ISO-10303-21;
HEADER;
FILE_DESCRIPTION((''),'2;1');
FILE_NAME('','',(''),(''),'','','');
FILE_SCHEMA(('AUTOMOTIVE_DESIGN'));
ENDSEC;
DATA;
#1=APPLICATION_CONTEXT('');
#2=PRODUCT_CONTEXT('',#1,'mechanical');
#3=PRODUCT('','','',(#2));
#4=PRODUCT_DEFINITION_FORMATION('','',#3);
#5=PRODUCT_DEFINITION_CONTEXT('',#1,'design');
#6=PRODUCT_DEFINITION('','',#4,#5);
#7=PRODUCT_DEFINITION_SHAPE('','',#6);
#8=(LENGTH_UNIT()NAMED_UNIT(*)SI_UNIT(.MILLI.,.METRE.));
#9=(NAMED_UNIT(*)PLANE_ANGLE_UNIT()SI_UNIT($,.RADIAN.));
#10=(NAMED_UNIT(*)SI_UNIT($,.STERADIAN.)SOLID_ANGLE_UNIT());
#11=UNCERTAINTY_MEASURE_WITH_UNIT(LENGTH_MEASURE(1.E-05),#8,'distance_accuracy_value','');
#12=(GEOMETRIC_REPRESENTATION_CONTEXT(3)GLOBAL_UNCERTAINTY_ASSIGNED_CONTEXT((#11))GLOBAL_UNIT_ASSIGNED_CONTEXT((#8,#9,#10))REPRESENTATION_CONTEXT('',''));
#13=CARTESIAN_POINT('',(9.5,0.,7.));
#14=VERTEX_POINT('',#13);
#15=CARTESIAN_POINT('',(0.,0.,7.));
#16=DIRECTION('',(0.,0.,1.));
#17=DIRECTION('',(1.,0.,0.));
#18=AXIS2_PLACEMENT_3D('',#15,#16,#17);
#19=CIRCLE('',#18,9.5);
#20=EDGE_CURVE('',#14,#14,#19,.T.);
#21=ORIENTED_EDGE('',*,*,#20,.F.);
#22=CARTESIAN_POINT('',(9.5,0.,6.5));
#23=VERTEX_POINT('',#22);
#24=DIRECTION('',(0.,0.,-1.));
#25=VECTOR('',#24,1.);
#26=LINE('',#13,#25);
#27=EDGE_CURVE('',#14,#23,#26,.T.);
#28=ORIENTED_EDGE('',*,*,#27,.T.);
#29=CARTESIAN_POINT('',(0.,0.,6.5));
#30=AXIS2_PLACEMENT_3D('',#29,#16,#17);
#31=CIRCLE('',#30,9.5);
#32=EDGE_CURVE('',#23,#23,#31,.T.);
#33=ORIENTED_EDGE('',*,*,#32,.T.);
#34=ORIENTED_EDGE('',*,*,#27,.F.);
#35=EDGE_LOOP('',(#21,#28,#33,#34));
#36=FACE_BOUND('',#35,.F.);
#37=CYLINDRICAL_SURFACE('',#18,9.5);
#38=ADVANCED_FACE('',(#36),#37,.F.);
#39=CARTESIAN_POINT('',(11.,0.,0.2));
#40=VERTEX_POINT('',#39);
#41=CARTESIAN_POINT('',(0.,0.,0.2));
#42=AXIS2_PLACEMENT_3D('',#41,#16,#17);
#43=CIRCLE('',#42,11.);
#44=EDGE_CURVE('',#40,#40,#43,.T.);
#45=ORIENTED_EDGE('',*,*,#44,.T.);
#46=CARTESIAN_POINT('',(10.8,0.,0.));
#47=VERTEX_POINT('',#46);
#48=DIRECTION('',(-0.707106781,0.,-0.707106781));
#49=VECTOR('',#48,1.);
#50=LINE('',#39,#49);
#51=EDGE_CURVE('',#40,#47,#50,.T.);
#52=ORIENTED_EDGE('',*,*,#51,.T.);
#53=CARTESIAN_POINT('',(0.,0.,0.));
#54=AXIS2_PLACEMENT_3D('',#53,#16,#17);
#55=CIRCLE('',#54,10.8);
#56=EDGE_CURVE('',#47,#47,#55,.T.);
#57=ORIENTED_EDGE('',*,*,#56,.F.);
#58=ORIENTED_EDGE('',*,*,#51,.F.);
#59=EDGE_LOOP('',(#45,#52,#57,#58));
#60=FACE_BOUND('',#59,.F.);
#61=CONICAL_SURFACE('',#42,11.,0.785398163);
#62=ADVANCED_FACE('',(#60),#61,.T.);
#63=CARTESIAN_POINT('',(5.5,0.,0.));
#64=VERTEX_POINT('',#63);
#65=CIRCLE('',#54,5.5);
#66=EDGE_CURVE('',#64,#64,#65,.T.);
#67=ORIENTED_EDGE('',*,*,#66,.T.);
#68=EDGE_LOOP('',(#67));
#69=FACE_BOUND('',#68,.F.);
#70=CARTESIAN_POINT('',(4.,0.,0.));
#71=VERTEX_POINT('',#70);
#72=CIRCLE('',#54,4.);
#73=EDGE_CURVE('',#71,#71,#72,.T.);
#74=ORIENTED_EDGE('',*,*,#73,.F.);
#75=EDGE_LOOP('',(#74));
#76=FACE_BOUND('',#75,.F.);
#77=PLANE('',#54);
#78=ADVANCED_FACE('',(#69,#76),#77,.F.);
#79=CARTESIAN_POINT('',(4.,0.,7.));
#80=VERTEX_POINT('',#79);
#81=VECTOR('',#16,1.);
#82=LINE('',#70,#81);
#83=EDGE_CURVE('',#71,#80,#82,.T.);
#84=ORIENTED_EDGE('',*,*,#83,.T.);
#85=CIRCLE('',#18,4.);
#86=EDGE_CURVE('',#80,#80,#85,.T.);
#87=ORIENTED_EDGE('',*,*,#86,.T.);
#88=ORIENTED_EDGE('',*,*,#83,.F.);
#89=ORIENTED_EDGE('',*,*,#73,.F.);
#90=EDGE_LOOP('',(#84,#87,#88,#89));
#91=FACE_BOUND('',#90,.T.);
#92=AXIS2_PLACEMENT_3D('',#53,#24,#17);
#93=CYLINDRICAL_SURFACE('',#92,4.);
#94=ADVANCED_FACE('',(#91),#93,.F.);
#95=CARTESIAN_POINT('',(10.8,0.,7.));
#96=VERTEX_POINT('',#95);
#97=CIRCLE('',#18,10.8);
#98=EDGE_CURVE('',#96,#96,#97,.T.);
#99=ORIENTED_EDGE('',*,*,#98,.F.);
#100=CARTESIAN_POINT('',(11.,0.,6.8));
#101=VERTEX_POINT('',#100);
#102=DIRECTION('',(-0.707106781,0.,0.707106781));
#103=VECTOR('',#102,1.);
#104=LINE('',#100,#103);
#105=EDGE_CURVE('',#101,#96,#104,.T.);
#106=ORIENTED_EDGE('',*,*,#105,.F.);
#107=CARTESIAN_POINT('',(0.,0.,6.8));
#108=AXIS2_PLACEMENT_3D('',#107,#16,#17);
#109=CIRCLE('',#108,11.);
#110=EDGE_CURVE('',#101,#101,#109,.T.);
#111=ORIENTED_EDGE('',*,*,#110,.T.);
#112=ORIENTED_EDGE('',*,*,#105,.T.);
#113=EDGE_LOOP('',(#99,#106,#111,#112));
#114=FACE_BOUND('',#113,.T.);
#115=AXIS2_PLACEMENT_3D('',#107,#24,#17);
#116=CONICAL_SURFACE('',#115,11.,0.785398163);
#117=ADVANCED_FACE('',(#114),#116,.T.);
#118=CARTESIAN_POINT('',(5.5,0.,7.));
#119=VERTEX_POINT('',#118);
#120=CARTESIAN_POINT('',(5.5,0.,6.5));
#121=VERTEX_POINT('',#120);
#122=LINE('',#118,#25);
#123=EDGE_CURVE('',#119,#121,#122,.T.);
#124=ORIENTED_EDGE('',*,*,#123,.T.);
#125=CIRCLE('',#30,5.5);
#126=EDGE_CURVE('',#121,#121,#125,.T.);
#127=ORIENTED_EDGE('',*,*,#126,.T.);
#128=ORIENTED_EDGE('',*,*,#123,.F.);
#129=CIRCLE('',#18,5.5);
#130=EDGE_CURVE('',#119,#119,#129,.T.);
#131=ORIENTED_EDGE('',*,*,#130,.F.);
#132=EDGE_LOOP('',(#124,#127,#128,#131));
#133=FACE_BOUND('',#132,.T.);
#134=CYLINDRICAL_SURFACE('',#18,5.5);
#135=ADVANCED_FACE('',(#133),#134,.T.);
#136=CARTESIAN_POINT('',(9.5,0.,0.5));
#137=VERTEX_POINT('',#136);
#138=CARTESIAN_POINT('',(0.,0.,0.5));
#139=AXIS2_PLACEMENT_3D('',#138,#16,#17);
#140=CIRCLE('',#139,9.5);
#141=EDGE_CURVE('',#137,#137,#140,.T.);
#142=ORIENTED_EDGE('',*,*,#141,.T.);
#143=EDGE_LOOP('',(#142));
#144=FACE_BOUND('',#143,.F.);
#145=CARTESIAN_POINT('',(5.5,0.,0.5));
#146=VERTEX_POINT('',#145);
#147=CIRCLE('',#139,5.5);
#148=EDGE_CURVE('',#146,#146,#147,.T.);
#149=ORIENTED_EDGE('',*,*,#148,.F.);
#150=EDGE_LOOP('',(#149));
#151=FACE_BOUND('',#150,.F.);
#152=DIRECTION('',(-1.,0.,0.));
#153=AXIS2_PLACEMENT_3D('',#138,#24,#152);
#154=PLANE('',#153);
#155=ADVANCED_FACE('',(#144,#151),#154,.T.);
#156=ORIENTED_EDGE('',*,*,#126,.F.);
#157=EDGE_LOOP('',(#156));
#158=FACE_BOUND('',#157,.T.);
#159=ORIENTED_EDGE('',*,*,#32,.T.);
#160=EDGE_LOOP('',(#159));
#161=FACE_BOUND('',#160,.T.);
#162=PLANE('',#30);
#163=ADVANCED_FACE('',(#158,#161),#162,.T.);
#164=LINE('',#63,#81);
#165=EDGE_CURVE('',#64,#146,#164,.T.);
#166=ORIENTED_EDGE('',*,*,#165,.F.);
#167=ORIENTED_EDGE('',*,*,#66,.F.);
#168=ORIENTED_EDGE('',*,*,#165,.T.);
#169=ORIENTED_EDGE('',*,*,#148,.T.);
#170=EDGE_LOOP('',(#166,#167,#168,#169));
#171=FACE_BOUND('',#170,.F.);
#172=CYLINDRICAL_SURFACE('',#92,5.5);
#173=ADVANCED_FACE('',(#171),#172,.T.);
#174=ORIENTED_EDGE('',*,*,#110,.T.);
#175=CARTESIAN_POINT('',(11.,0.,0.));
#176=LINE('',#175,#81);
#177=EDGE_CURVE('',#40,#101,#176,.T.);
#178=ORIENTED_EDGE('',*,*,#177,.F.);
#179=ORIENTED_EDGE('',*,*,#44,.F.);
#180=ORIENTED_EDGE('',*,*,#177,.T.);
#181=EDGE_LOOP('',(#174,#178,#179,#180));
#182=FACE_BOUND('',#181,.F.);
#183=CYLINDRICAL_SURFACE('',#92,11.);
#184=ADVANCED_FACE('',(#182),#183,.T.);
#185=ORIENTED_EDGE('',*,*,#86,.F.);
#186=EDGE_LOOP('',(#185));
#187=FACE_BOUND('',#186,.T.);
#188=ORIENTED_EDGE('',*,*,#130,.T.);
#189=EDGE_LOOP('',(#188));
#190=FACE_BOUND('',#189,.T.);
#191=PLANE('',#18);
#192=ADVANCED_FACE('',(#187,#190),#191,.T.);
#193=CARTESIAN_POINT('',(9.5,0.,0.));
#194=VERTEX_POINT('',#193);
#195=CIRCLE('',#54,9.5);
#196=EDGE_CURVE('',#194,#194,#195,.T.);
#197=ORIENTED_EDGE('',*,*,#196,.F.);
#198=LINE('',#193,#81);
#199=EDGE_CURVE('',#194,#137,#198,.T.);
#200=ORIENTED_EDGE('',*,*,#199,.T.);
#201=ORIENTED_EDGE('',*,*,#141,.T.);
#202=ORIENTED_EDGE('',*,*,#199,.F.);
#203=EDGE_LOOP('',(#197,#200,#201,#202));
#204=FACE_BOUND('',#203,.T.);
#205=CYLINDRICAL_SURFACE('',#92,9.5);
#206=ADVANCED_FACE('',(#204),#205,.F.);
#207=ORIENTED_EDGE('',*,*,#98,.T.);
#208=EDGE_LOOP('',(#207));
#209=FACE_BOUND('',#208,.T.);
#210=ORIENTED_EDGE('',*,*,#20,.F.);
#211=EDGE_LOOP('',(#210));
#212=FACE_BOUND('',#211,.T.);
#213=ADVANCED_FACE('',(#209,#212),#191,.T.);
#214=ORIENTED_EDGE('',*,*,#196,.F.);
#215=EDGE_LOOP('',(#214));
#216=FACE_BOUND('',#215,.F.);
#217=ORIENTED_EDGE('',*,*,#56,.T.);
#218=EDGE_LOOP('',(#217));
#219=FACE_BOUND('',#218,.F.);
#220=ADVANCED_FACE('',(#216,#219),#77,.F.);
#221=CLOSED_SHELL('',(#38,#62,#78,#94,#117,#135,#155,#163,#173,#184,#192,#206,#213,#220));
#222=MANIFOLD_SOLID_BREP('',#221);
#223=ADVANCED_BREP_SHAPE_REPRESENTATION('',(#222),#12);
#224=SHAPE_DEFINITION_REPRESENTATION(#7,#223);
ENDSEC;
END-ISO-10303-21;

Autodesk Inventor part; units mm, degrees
ref_plane "YZ Plane" through (0, 0, 0) normal (1, 0, 0) x (0, 1, 0)
ref_plane "XZ Plane" through (0, 0, 0) normal (0, 1, 0) x (-1, 0, 0)
sketch "Sketch1" plane through (0, 0, 0) normal (0, 0, 1) x (1, 0, 0)
  circle A0 centre (0, 0) radius 4
  circle A1 centre (0, 0) radius 11
  dimension "d0" = 8
  dimension "d1" = 22
extrude "Extrusion1" add sketch "Sketch1" along normal blind 7
sketch "Sketch2" plane through (0, 0, 7) normal (0, 0, 1) x (1, 0, 0)
  circle A0 centre (0, 0) radius 11 projected
  circle A1 centre (0, 0) radius 4 projected
  circle A2 centre (0, 0) radius 9.5
  circle A3 centre (0, 0) radius 5.5
  dimension "d4" = 1.5
  dimension "d5" = 1.5
extrude "Extrusion2" cut sketch "Sketch2" against normal blind 0.5 contours A2
ref_plane "Work Plane1" through (0, 0, 3.5) normal (0, 0, 1) x (1, 0, 0)
mirror "Mirror1" about plane through (0, 0, 3.5) normal (0, 0, 1) of "Extrusion2"
chamfer "Chamfer1" distance 0.2 angle 45 2 edges at (-11, 0, 7) (-11, 0, 0)
properties part number "608 Bearing"
